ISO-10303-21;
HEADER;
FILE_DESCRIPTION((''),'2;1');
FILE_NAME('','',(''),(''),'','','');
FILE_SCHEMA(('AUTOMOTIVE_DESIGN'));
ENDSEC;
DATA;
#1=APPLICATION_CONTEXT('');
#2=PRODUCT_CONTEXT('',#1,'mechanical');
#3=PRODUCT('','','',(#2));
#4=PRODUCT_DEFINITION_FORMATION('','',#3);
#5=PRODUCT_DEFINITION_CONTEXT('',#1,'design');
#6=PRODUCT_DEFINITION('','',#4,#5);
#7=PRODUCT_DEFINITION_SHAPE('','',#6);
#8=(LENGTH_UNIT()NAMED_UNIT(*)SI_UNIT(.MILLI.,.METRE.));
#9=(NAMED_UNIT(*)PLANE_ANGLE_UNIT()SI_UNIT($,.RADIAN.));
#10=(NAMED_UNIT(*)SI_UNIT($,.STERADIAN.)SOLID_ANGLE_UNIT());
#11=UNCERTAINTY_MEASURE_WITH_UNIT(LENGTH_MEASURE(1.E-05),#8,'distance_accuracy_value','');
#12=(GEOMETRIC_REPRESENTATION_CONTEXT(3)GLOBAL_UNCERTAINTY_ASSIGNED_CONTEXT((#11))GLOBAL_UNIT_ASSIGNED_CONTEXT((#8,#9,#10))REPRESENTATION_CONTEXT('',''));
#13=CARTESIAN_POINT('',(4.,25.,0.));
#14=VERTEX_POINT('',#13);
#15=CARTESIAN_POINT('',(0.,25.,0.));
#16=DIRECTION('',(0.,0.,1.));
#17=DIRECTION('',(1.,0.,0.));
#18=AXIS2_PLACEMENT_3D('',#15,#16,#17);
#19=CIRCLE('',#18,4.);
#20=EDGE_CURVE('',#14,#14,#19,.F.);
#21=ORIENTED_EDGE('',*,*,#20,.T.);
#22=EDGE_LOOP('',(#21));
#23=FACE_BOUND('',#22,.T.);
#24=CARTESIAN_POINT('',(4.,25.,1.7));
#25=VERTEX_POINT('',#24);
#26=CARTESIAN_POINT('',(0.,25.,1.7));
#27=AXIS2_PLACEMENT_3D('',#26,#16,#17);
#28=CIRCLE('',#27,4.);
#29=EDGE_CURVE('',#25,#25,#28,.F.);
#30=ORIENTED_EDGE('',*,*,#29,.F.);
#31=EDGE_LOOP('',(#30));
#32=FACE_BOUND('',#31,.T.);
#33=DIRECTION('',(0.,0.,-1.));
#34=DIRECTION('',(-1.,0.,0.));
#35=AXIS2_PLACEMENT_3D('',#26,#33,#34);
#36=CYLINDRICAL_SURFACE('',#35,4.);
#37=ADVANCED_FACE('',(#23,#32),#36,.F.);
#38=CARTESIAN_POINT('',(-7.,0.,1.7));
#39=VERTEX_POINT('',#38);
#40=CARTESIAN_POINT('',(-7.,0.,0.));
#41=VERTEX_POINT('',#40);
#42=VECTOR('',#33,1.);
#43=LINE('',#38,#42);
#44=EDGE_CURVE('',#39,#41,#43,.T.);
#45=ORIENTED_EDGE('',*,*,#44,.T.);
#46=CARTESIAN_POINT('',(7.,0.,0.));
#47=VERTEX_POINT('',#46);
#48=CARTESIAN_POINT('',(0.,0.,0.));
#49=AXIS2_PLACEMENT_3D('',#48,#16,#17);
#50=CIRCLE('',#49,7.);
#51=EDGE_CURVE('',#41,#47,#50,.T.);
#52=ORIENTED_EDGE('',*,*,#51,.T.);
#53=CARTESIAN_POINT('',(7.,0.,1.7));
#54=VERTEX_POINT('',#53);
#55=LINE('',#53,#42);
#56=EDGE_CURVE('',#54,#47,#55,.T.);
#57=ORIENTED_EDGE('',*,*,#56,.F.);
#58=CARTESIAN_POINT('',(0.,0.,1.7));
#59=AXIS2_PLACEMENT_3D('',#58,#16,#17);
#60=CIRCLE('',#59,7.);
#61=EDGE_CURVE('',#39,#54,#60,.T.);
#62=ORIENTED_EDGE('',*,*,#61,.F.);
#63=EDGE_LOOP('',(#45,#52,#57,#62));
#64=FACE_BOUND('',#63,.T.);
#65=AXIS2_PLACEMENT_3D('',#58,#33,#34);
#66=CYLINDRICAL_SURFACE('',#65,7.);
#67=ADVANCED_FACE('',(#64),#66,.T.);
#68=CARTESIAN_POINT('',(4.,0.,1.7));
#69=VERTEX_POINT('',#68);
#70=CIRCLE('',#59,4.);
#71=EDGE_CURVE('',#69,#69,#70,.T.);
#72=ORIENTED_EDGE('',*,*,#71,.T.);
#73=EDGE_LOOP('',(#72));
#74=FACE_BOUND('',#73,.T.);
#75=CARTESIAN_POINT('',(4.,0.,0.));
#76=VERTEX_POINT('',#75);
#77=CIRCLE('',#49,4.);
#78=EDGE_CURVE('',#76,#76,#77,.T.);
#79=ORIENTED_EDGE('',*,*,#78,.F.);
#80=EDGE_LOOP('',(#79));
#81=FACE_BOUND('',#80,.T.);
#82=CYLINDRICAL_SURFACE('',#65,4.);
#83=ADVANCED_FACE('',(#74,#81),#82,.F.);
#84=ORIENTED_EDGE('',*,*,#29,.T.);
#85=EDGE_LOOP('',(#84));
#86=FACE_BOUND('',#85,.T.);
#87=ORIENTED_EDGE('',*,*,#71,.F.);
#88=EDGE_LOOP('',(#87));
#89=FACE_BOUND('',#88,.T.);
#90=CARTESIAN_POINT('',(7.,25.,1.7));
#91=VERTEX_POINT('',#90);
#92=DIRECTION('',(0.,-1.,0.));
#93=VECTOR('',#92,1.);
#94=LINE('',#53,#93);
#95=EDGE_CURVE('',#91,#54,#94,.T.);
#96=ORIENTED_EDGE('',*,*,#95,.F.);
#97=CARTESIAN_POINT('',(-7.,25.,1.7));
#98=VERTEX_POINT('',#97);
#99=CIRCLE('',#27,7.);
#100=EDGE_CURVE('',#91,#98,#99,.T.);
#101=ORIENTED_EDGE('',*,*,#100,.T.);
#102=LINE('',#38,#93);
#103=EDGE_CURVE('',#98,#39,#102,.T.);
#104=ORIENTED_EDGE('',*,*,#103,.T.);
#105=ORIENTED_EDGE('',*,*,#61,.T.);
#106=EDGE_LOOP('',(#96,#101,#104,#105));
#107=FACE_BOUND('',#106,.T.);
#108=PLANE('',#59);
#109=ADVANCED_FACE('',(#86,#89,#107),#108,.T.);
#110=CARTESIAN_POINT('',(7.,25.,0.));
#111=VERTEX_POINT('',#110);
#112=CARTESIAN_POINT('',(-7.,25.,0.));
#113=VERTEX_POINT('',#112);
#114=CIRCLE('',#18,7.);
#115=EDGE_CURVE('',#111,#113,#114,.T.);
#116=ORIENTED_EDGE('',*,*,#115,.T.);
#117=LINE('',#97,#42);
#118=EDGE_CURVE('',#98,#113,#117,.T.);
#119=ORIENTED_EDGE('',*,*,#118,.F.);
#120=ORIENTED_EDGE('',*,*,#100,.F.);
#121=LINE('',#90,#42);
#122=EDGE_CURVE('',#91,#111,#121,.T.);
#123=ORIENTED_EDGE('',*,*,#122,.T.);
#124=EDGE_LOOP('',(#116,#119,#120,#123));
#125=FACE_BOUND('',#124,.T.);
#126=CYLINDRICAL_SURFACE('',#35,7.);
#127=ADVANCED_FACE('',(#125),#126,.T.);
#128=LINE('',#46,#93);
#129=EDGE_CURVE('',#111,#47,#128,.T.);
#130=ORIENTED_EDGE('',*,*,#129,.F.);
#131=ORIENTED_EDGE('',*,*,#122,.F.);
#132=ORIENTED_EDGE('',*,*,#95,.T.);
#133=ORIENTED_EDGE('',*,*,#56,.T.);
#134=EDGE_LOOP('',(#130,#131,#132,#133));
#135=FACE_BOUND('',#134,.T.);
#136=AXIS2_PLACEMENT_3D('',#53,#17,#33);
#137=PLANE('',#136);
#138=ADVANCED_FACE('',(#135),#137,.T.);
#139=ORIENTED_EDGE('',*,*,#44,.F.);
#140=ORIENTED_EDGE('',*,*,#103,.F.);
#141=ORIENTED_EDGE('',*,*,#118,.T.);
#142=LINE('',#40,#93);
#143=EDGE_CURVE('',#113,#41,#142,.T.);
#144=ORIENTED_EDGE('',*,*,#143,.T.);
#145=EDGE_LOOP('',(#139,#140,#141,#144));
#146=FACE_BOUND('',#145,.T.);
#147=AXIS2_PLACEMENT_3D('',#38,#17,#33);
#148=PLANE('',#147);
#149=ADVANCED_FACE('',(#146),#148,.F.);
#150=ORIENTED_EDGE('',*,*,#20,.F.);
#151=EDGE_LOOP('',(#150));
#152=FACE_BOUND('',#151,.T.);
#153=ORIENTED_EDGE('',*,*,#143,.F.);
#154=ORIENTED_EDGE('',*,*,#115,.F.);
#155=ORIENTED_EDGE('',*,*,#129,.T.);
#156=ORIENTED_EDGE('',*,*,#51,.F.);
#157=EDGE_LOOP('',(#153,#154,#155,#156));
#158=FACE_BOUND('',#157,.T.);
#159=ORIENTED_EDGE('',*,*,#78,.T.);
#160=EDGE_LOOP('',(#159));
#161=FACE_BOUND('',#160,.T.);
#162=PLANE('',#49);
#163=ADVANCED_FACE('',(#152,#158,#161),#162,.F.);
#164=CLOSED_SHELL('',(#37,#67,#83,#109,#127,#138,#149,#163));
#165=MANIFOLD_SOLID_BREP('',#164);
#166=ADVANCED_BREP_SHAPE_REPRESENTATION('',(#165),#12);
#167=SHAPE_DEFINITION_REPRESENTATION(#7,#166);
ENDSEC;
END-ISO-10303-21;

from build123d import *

# Parameters (mm, degrees)
CROQUIS1_R              = 4
SALIENTE_EXTRUIR1_DEPTH = 1.7


with BuildPart() as part:
    # Croquis1 → Saliente-Extruir1 (new body)
    with BuildSketch(Plane.XY):
        with BuildLine():
            Line((-7, 25), (-7, 0))
            ThreePointArc((-7, 0), (0, -7), (7, 0))
            Line((7, 0), (7, 25))
            ThreePointArc((7, 25), (0, 32), (-7, 25))
        make_face()
        Circle(CROQUIS1_R, mode=Mode.SUBTRACT)
        with BuildLine():
            ThreePointArc((4, 25), (0, 29), (-4, 25))
            ThreePointArc((-4, 25), (0, 21), (4, 25))
        make_face(mode=Mode.SUBTRACT)
    extrude(amount=SALIENTE_EXTRUIR1_DEPTH)


solid = part.part
